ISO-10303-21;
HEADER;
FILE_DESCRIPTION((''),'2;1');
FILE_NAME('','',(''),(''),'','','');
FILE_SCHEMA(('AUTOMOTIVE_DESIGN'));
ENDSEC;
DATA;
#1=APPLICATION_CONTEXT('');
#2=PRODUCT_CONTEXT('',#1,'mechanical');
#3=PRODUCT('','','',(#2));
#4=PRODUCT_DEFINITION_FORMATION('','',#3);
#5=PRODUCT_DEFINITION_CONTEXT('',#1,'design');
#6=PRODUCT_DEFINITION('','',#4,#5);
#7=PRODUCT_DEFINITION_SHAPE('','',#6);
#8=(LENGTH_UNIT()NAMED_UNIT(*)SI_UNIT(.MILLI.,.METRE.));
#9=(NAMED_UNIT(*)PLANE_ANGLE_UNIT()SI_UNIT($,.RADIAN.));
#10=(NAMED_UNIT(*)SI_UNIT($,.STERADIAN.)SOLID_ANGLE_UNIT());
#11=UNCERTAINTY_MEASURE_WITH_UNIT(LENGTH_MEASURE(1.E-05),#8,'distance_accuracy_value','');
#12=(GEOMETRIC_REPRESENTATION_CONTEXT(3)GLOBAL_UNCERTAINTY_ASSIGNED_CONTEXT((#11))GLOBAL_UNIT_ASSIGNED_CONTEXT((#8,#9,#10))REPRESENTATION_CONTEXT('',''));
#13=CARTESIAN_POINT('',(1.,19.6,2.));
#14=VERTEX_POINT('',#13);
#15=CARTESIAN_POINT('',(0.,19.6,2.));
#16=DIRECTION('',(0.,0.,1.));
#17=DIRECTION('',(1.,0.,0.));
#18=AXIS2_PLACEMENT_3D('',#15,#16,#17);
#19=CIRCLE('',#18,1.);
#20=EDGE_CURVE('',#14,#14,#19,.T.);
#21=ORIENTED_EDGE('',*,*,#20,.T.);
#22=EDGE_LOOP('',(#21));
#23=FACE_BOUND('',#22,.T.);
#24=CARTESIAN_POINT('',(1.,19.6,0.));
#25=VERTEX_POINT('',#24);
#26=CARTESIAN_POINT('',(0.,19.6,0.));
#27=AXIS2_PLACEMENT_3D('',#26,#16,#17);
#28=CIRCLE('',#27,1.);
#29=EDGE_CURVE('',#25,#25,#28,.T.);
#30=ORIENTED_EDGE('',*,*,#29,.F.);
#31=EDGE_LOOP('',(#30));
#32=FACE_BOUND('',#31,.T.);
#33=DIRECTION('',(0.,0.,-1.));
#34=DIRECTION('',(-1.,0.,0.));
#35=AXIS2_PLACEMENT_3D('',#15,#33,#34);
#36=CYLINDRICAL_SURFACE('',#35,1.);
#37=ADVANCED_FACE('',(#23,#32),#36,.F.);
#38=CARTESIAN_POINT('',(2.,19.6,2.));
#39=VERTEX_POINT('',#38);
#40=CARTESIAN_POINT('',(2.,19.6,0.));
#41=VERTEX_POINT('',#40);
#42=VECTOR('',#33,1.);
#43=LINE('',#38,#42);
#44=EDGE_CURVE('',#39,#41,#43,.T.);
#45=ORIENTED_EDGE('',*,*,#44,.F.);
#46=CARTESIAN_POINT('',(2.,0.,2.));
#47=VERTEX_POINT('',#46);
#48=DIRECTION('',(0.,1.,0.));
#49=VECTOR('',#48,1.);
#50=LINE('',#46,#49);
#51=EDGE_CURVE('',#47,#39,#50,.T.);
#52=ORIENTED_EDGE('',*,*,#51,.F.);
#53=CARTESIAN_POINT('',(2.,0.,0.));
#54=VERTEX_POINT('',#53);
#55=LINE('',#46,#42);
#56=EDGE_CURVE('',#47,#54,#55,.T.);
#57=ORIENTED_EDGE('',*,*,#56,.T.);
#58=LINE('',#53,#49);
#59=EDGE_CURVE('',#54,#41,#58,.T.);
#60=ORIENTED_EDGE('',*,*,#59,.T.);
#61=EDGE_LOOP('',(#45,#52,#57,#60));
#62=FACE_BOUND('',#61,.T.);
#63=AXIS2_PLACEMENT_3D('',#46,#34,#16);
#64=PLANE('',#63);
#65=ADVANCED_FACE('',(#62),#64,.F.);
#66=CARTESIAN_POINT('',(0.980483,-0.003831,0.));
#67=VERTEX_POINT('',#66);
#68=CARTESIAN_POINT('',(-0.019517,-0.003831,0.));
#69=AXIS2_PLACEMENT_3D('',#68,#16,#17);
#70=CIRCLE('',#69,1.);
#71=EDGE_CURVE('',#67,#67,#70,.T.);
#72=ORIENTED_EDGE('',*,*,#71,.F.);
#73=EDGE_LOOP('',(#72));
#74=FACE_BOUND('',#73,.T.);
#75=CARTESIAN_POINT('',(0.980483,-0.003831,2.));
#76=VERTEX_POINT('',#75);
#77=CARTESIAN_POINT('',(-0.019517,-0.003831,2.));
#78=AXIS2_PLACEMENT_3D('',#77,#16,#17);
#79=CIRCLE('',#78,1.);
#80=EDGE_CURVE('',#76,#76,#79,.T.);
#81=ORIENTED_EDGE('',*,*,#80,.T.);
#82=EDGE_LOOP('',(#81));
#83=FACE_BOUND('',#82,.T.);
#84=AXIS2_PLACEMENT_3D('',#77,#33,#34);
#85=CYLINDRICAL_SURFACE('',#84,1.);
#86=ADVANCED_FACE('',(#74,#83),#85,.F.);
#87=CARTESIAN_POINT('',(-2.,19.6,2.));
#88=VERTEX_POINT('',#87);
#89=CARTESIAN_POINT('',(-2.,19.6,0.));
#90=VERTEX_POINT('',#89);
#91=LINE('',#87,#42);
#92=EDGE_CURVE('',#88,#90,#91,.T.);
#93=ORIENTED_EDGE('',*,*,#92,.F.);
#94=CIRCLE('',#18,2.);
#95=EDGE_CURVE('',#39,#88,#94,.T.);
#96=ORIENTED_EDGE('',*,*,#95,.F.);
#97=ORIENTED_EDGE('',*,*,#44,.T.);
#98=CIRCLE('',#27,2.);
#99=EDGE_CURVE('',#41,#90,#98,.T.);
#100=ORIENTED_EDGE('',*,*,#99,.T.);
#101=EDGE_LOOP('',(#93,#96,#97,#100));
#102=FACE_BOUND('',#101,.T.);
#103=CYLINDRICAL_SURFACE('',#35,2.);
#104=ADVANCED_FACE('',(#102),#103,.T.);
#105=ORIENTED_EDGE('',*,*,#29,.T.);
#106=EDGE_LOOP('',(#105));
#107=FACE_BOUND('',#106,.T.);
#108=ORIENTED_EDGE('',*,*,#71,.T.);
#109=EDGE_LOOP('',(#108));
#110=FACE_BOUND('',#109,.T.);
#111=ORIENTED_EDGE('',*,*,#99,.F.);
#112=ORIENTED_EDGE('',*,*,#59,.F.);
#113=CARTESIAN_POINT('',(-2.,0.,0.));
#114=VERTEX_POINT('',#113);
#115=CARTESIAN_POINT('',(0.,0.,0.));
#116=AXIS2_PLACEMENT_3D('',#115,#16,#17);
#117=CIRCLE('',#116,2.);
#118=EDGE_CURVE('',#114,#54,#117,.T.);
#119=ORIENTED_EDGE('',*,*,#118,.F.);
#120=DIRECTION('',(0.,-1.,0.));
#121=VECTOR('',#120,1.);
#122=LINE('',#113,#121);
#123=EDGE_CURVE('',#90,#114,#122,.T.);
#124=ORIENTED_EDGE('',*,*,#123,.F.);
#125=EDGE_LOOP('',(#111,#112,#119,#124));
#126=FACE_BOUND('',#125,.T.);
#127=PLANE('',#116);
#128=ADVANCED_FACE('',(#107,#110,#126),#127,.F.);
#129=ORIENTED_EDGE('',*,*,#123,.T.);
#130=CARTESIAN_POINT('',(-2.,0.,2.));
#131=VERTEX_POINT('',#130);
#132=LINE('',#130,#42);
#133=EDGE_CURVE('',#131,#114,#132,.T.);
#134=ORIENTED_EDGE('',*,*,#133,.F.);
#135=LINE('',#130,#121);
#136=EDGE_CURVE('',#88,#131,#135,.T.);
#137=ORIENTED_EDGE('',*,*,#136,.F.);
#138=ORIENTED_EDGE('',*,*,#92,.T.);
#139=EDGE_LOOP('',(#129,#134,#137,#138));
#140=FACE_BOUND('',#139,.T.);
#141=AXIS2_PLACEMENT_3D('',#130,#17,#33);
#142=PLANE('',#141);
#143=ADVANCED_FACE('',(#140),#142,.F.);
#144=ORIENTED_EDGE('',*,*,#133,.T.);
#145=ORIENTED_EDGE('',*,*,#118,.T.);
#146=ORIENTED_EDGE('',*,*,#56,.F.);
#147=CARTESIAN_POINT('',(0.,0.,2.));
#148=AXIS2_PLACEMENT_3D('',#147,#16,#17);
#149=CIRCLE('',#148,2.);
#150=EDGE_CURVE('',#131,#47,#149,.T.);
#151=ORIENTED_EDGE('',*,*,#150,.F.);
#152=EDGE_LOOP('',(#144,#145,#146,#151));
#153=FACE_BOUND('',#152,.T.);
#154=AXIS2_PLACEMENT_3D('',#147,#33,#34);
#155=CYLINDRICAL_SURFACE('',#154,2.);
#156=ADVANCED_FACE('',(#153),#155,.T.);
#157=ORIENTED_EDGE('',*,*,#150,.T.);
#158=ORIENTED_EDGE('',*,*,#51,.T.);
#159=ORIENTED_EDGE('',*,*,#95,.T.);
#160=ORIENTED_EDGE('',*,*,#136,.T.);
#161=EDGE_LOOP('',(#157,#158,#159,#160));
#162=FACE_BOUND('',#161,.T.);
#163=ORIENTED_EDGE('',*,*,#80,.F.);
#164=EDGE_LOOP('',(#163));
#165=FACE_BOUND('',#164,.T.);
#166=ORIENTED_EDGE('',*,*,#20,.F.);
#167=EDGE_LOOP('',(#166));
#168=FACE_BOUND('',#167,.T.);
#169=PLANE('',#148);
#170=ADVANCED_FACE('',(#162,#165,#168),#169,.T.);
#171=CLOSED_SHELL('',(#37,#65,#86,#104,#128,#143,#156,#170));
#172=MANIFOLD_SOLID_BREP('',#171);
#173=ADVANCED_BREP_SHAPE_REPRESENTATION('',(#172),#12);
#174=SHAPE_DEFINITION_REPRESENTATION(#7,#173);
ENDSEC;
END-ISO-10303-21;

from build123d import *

# Parameters (mm, degrees)
SKETCH1_R           = 1
BOSS_EXTRUDE1_DEPTH = 2


with BuildPart() as part:
    # Sketch1 → Boss-Extrude1 (new body)
    with BuildSketch(Plane.XY):
        with BuildLine():
            Line((-2, 0), (-2, 19.6))
            ThreePointArc((-2, 19.6), (0, 21.6), (2, 19.6))
            Line((2, 19.6), (2, 0))
            ThreePointArc((2, 0), (0, -2), (-2, 0))
        make_face()
        with Locations((0, 19.6)):
            Circle(SKETCH1_R, mode=Mode.SUBTRACT)
        with Locations((-0.01951701, -0.003830514)):
            Circle(SKETCH1_R, mode=Mode.SUBTRACT)
    extrude(amount=BOSS_EXTRUDE1_DEPTH)


solid = part.part
